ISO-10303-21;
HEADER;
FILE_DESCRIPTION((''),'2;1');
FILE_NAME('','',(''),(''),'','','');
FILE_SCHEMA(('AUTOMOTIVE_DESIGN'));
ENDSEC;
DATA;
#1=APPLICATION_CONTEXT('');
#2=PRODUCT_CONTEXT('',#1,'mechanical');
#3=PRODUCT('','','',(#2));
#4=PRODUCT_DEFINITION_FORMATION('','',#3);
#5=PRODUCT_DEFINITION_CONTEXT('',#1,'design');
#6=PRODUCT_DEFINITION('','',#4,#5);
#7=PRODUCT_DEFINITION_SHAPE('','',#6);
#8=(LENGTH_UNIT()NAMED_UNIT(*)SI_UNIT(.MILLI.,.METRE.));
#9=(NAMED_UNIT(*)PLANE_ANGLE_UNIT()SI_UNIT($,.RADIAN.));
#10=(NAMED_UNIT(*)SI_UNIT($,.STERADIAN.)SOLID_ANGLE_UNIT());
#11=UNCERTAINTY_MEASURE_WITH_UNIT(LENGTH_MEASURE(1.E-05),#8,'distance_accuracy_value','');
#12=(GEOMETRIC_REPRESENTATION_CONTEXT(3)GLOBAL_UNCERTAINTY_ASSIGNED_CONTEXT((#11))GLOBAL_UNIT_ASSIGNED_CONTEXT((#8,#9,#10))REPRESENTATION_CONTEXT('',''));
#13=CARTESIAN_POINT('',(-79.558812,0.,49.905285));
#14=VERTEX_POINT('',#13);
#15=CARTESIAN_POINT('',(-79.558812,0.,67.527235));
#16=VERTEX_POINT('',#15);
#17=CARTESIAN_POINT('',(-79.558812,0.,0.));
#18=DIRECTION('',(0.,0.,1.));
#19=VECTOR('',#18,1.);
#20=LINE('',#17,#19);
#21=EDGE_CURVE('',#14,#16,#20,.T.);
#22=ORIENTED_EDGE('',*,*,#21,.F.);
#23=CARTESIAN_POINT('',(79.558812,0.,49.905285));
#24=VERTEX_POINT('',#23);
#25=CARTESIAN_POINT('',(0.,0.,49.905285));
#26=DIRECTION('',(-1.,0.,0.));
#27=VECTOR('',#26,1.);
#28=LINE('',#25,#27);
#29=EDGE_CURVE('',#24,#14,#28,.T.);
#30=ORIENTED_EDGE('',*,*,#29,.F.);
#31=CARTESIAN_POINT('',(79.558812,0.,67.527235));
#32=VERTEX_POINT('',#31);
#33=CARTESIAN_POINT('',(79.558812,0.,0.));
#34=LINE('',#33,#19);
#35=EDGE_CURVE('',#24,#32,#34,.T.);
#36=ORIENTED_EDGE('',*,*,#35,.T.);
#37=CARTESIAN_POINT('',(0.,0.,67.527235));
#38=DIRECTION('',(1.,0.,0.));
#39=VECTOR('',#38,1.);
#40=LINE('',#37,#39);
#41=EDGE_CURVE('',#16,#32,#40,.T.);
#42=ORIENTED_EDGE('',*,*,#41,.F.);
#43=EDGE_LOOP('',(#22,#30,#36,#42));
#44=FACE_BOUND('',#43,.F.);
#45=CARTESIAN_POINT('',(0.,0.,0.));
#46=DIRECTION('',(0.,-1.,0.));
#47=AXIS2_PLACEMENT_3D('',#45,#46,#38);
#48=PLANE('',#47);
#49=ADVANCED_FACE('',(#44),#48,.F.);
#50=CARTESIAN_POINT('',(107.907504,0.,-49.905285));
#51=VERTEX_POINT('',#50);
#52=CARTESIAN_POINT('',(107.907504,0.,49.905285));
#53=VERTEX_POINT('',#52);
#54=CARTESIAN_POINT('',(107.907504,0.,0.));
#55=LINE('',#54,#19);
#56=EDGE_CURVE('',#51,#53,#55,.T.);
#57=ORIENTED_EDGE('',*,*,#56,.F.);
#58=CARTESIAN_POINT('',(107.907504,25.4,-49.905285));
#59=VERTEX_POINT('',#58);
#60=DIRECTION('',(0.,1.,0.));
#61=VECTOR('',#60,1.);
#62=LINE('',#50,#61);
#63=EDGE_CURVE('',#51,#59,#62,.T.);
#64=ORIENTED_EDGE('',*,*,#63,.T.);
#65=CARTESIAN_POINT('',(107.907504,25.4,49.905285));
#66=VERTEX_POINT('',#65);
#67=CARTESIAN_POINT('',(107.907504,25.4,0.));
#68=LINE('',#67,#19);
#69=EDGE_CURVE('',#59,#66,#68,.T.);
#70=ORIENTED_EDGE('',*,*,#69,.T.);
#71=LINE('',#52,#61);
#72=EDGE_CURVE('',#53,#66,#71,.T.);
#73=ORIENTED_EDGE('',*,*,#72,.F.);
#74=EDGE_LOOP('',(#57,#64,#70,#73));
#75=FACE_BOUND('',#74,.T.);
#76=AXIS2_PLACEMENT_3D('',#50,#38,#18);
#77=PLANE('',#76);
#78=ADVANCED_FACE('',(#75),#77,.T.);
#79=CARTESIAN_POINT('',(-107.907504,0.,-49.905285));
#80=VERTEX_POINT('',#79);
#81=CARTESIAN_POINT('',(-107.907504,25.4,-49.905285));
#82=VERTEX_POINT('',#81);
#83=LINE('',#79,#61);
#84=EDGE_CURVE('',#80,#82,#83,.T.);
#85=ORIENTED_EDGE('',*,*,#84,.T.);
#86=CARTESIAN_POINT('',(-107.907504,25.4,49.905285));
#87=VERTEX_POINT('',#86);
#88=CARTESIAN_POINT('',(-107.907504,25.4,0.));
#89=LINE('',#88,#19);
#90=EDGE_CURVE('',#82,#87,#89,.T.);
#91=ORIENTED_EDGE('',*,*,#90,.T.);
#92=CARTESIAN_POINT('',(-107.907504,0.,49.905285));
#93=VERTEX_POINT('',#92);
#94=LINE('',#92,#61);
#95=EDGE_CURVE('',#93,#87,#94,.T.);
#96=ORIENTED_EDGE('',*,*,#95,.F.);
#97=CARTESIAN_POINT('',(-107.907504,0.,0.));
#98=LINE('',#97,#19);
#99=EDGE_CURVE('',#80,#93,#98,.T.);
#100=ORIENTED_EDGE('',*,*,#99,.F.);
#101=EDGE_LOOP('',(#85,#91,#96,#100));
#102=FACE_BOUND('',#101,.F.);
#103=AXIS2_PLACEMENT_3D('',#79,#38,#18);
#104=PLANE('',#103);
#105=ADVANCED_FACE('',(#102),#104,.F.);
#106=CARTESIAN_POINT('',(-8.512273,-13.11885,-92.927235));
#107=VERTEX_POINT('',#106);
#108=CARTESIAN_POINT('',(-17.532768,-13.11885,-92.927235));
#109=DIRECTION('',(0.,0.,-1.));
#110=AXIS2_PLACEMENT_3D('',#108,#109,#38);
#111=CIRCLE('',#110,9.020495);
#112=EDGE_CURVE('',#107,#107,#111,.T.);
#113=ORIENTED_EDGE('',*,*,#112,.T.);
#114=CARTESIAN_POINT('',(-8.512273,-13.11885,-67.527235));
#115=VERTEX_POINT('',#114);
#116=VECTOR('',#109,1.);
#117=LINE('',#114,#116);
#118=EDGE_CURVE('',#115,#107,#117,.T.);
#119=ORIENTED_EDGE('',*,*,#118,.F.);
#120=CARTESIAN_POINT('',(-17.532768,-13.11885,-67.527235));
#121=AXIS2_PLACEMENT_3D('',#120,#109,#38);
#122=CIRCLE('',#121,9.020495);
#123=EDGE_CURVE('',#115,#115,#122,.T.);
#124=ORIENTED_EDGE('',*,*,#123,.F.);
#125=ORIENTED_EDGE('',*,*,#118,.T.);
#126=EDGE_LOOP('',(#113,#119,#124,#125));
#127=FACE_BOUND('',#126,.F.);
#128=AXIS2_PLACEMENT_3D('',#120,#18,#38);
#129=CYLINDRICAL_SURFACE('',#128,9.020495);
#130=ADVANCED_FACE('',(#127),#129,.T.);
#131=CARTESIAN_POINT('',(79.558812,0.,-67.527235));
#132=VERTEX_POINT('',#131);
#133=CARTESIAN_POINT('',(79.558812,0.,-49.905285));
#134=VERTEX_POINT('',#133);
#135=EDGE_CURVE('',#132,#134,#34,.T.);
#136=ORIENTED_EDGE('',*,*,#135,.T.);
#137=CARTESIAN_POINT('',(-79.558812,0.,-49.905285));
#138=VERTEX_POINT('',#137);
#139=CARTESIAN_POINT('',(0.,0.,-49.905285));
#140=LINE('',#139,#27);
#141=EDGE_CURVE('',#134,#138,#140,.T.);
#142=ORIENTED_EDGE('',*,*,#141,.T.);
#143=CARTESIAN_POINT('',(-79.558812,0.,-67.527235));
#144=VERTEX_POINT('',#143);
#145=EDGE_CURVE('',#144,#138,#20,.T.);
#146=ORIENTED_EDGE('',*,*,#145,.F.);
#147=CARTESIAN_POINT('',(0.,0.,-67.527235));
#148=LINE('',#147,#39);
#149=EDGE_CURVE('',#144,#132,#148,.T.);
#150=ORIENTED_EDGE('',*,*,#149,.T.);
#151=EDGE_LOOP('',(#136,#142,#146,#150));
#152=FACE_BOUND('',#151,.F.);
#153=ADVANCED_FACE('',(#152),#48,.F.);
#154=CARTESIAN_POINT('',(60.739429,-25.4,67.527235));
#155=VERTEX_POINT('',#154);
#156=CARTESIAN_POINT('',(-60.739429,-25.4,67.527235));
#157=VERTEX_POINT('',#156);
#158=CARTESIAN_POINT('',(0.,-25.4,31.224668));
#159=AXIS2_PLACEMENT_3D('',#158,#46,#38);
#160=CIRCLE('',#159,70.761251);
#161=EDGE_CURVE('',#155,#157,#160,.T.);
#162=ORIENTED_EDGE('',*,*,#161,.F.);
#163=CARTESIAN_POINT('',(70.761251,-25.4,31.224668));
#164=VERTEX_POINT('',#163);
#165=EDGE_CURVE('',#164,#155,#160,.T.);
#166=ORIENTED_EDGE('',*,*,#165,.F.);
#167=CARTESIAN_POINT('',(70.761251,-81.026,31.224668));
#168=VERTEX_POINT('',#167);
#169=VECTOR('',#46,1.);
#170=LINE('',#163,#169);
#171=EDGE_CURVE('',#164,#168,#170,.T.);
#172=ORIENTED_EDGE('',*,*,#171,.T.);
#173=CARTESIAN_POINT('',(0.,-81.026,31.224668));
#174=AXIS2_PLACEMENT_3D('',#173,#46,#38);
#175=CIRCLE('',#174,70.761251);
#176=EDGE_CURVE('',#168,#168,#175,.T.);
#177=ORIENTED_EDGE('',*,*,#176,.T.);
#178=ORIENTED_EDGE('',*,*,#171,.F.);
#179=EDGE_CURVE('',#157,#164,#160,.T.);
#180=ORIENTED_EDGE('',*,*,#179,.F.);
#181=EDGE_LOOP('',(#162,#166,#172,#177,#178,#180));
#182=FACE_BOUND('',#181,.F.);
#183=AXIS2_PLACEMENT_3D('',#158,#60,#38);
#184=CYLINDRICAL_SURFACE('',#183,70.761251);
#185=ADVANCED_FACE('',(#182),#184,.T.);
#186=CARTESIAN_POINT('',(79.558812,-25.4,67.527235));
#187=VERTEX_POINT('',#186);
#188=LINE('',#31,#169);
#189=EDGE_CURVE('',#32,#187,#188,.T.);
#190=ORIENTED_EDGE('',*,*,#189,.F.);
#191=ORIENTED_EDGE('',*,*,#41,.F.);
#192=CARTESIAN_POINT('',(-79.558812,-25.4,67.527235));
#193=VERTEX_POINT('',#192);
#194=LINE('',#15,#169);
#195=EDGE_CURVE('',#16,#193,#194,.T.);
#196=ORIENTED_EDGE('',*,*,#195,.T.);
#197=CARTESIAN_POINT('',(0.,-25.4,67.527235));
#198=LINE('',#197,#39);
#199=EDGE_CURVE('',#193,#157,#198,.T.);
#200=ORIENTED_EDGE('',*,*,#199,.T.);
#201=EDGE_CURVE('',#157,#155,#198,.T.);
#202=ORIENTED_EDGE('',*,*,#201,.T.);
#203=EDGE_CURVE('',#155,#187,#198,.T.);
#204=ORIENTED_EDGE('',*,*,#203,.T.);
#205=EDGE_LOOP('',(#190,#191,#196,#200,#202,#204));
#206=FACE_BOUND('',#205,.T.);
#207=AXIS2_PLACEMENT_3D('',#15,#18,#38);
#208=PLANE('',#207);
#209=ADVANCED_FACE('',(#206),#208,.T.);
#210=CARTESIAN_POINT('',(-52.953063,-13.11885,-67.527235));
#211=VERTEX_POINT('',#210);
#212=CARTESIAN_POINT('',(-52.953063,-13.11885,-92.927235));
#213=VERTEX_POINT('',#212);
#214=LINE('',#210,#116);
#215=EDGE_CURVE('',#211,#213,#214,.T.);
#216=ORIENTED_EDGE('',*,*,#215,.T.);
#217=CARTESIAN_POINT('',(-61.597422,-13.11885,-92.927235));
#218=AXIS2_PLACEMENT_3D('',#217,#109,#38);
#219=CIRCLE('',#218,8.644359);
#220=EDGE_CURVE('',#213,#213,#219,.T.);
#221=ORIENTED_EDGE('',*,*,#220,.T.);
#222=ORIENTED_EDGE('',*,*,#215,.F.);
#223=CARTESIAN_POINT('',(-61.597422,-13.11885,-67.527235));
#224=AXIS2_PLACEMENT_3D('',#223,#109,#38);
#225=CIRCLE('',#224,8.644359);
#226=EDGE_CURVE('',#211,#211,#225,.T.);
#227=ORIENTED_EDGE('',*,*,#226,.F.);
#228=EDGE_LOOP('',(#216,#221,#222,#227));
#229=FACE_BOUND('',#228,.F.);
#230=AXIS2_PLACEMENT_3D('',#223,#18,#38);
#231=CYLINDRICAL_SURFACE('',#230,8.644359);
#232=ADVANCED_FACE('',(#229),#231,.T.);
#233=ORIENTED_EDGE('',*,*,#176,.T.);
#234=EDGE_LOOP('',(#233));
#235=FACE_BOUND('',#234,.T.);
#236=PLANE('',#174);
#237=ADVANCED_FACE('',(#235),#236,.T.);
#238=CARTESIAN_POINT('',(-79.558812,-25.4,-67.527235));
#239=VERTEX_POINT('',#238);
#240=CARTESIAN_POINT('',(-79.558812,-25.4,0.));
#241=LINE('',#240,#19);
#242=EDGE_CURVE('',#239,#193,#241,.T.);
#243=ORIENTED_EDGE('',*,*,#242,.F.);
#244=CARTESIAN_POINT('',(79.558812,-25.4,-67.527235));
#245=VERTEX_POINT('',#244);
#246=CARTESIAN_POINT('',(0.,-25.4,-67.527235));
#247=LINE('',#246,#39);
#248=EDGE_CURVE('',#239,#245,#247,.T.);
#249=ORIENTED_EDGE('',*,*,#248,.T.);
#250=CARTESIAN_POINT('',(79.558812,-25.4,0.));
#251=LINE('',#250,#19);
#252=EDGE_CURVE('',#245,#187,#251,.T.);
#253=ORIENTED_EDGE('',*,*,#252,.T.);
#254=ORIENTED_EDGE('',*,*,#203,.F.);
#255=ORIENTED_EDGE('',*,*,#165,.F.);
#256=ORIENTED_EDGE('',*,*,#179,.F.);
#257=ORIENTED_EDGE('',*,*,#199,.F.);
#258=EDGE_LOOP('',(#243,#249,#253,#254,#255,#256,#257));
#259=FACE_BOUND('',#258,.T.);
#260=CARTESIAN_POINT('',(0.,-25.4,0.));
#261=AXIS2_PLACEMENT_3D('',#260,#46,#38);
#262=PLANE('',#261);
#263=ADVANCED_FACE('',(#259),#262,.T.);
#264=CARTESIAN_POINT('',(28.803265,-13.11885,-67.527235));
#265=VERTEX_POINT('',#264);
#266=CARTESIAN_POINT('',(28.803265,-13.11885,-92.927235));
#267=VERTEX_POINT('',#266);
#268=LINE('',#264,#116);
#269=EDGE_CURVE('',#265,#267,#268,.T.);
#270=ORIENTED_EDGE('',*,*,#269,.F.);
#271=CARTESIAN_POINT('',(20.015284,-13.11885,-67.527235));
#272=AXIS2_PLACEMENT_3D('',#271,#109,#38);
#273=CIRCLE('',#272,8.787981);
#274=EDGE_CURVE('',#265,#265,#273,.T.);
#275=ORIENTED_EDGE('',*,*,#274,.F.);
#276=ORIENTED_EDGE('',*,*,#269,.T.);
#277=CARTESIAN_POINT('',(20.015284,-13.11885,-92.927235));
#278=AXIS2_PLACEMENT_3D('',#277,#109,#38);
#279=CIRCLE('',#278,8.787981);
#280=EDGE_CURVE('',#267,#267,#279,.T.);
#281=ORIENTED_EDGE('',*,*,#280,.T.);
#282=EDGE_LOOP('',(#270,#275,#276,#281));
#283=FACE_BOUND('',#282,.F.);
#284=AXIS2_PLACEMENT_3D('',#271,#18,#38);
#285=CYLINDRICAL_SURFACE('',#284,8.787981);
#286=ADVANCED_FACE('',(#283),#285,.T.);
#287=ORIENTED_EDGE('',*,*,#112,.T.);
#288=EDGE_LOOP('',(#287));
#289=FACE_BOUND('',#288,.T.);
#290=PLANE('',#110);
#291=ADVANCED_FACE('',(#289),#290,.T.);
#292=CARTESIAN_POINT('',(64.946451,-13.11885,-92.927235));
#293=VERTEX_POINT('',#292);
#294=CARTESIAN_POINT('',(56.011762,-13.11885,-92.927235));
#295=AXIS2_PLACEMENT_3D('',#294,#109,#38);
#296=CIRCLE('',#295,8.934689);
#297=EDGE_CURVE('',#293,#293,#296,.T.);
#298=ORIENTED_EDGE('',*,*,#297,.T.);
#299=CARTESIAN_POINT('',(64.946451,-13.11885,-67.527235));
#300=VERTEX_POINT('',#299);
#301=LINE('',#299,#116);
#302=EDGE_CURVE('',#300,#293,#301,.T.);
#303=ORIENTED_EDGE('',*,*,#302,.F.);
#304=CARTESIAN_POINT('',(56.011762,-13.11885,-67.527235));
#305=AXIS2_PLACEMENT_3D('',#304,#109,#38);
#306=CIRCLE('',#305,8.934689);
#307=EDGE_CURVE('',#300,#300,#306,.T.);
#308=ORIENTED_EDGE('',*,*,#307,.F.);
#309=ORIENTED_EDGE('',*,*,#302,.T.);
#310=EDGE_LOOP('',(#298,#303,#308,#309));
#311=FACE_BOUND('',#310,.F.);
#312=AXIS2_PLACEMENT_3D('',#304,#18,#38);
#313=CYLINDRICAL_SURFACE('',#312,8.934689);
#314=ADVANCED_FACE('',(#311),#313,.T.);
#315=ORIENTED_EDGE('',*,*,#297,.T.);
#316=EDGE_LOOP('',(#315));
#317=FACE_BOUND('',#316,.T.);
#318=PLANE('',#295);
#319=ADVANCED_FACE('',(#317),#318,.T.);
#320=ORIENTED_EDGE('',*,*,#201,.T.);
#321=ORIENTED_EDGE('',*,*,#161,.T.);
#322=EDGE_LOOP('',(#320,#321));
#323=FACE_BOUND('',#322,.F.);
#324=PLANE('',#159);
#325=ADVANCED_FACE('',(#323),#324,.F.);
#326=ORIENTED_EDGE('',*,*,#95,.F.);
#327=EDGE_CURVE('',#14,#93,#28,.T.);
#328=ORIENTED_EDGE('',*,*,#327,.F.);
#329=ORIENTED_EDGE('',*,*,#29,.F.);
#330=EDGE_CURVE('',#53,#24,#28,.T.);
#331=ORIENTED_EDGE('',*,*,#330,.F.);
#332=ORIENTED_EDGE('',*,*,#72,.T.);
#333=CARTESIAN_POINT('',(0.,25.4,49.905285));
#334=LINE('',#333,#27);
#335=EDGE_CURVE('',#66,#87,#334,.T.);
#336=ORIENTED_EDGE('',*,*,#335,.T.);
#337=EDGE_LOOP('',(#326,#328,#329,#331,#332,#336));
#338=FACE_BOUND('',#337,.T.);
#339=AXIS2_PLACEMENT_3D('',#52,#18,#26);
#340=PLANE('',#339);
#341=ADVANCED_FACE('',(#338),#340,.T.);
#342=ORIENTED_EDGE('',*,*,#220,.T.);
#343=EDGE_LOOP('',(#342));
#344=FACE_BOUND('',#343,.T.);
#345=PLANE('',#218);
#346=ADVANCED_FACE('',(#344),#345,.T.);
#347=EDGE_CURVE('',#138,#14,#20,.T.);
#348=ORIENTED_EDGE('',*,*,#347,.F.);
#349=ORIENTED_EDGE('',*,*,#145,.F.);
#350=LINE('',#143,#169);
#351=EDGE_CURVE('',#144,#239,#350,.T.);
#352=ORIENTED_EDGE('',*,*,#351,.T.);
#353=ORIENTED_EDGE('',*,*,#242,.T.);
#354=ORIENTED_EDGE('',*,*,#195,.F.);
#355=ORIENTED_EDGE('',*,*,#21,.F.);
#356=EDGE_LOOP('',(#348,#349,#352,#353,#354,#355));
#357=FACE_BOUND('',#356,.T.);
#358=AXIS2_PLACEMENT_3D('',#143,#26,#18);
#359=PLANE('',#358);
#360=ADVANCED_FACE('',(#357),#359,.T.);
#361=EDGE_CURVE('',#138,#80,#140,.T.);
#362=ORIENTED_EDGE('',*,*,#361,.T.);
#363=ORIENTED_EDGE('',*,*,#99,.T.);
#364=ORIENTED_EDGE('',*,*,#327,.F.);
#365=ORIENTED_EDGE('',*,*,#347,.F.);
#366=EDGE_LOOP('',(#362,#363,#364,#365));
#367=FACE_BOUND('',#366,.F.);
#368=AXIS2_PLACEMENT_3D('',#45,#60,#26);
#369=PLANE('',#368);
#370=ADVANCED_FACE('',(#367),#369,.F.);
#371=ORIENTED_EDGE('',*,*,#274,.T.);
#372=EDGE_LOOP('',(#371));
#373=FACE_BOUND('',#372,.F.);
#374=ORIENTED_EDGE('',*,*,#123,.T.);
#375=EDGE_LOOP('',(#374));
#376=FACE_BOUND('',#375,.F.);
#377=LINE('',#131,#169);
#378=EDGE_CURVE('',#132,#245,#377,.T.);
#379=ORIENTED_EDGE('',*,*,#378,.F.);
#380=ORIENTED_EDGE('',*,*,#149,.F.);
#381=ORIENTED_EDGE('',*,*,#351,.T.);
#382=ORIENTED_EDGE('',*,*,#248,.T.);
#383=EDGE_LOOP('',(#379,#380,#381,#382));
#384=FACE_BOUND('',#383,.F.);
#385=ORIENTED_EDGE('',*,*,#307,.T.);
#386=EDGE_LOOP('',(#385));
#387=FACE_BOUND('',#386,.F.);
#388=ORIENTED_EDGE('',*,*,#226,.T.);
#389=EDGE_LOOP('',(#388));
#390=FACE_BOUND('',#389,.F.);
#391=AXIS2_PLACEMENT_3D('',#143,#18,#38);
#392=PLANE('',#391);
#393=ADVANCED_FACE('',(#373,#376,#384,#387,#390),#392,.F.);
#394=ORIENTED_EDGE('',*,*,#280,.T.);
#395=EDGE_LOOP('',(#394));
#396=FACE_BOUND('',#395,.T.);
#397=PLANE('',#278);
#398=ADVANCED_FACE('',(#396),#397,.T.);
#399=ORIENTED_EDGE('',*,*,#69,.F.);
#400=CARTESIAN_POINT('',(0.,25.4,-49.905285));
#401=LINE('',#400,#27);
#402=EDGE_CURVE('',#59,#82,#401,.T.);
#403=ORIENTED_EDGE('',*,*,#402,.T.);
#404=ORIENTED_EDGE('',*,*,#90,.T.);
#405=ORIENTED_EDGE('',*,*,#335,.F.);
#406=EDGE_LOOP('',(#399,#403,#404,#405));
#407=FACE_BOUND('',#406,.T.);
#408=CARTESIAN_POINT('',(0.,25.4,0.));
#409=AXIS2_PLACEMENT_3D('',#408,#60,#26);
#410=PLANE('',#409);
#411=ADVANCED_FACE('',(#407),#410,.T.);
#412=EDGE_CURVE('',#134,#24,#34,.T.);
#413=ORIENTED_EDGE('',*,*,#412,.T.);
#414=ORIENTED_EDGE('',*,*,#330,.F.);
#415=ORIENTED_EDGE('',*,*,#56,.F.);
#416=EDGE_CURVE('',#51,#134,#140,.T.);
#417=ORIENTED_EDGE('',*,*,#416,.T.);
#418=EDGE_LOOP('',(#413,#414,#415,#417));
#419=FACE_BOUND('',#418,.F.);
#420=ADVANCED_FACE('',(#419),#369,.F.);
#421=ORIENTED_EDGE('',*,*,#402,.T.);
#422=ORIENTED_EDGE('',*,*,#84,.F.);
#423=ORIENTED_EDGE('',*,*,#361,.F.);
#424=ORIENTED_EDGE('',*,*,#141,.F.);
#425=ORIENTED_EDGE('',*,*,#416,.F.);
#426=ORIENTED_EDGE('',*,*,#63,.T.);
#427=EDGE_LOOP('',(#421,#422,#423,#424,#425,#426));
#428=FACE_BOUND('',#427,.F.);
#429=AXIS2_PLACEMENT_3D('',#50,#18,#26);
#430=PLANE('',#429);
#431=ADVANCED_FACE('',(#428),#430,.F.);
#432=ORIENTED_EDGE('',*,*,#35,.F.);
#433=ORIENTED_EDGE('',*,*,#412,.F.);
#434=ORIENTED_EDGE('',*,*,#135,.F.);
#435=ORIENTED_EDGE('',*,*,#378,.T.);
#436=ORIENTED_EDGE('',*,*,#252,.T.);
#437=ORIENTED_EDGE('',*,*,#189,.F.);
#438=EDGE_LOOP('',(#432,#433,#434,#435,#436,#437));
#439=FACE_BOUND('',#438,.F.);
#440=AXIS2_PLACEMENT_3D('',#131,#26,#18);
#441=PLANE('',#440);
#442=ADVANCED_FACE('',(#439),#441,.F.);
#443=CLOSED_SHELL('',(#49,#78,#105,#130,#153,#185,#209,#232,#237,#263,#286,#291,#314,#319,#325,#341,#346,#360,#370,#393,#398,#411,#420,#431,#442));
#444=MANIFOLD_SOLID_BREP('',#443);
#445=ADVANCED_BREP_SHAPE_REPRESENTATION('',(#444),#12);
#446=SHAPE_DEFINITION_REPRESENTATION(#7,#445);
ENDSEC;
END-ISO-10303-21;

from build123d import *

# Parameters (mm, degrees)
F0_W     = 159.117624
F0_H     = 135.05447
F1_DEPTH = 25.4
F2_R     = 70.761251
F3_DEPTH = 55.626
F4_R     = 8.644359
F4_R_2   = 9.020495
F4_R_3   = 8.787981
F4_R_4   = 8.934689
F5_DEPTH = 25.4
F6_W     = 215.815008
F6_H     = 99.81057
F7_DEPTH = 25.4


with BuildPart() as f1:
    # F0 (on Front) → F1 (new body)
    with BuildSketch(Plane.XZ):
        Rectangle(F0_W, F0_H)
    extrude(amount=F1_DEPTH)

    # F2 (on face) → F3 (join)
    with BuildSketch(Plane.XZ.offset(25.4)):
        with Locations((0, 31.224668)):
            Circle(F2_R)
    extrude(amount=F3_DEPTH)

    # F4 (on face) → F5 (join)
    with BuildSketch(Plane(origin=(0, 0, -67.527235), x_dir=(1, 0, 0), z_dir=(0, 0, -1))):
        with Locations((-61.597422, 13.11885)):
            Circle(F4_R)
        with Locations((-17.532768, 13.11885)):
            Circle(F4_R_2)
        with Locations((20.015284, 13.11885)):
            Circle(F4_R_3)
        with Locations((56.011762, 13.11885)):
            Circle(F4_R_4)
    extrude(amount=F5_DEPTH)

    # F6 (on face) → F7 (join)
    with BuildSketch(Plane(origin=(0, 0, 0), x_dir=(-1, 0, 0), z_dir=(0, 1, 0))):
        Rectangle(F6_W, F6_H)
    extrude(amount=F7_DEPTH)


solid = f1.part
